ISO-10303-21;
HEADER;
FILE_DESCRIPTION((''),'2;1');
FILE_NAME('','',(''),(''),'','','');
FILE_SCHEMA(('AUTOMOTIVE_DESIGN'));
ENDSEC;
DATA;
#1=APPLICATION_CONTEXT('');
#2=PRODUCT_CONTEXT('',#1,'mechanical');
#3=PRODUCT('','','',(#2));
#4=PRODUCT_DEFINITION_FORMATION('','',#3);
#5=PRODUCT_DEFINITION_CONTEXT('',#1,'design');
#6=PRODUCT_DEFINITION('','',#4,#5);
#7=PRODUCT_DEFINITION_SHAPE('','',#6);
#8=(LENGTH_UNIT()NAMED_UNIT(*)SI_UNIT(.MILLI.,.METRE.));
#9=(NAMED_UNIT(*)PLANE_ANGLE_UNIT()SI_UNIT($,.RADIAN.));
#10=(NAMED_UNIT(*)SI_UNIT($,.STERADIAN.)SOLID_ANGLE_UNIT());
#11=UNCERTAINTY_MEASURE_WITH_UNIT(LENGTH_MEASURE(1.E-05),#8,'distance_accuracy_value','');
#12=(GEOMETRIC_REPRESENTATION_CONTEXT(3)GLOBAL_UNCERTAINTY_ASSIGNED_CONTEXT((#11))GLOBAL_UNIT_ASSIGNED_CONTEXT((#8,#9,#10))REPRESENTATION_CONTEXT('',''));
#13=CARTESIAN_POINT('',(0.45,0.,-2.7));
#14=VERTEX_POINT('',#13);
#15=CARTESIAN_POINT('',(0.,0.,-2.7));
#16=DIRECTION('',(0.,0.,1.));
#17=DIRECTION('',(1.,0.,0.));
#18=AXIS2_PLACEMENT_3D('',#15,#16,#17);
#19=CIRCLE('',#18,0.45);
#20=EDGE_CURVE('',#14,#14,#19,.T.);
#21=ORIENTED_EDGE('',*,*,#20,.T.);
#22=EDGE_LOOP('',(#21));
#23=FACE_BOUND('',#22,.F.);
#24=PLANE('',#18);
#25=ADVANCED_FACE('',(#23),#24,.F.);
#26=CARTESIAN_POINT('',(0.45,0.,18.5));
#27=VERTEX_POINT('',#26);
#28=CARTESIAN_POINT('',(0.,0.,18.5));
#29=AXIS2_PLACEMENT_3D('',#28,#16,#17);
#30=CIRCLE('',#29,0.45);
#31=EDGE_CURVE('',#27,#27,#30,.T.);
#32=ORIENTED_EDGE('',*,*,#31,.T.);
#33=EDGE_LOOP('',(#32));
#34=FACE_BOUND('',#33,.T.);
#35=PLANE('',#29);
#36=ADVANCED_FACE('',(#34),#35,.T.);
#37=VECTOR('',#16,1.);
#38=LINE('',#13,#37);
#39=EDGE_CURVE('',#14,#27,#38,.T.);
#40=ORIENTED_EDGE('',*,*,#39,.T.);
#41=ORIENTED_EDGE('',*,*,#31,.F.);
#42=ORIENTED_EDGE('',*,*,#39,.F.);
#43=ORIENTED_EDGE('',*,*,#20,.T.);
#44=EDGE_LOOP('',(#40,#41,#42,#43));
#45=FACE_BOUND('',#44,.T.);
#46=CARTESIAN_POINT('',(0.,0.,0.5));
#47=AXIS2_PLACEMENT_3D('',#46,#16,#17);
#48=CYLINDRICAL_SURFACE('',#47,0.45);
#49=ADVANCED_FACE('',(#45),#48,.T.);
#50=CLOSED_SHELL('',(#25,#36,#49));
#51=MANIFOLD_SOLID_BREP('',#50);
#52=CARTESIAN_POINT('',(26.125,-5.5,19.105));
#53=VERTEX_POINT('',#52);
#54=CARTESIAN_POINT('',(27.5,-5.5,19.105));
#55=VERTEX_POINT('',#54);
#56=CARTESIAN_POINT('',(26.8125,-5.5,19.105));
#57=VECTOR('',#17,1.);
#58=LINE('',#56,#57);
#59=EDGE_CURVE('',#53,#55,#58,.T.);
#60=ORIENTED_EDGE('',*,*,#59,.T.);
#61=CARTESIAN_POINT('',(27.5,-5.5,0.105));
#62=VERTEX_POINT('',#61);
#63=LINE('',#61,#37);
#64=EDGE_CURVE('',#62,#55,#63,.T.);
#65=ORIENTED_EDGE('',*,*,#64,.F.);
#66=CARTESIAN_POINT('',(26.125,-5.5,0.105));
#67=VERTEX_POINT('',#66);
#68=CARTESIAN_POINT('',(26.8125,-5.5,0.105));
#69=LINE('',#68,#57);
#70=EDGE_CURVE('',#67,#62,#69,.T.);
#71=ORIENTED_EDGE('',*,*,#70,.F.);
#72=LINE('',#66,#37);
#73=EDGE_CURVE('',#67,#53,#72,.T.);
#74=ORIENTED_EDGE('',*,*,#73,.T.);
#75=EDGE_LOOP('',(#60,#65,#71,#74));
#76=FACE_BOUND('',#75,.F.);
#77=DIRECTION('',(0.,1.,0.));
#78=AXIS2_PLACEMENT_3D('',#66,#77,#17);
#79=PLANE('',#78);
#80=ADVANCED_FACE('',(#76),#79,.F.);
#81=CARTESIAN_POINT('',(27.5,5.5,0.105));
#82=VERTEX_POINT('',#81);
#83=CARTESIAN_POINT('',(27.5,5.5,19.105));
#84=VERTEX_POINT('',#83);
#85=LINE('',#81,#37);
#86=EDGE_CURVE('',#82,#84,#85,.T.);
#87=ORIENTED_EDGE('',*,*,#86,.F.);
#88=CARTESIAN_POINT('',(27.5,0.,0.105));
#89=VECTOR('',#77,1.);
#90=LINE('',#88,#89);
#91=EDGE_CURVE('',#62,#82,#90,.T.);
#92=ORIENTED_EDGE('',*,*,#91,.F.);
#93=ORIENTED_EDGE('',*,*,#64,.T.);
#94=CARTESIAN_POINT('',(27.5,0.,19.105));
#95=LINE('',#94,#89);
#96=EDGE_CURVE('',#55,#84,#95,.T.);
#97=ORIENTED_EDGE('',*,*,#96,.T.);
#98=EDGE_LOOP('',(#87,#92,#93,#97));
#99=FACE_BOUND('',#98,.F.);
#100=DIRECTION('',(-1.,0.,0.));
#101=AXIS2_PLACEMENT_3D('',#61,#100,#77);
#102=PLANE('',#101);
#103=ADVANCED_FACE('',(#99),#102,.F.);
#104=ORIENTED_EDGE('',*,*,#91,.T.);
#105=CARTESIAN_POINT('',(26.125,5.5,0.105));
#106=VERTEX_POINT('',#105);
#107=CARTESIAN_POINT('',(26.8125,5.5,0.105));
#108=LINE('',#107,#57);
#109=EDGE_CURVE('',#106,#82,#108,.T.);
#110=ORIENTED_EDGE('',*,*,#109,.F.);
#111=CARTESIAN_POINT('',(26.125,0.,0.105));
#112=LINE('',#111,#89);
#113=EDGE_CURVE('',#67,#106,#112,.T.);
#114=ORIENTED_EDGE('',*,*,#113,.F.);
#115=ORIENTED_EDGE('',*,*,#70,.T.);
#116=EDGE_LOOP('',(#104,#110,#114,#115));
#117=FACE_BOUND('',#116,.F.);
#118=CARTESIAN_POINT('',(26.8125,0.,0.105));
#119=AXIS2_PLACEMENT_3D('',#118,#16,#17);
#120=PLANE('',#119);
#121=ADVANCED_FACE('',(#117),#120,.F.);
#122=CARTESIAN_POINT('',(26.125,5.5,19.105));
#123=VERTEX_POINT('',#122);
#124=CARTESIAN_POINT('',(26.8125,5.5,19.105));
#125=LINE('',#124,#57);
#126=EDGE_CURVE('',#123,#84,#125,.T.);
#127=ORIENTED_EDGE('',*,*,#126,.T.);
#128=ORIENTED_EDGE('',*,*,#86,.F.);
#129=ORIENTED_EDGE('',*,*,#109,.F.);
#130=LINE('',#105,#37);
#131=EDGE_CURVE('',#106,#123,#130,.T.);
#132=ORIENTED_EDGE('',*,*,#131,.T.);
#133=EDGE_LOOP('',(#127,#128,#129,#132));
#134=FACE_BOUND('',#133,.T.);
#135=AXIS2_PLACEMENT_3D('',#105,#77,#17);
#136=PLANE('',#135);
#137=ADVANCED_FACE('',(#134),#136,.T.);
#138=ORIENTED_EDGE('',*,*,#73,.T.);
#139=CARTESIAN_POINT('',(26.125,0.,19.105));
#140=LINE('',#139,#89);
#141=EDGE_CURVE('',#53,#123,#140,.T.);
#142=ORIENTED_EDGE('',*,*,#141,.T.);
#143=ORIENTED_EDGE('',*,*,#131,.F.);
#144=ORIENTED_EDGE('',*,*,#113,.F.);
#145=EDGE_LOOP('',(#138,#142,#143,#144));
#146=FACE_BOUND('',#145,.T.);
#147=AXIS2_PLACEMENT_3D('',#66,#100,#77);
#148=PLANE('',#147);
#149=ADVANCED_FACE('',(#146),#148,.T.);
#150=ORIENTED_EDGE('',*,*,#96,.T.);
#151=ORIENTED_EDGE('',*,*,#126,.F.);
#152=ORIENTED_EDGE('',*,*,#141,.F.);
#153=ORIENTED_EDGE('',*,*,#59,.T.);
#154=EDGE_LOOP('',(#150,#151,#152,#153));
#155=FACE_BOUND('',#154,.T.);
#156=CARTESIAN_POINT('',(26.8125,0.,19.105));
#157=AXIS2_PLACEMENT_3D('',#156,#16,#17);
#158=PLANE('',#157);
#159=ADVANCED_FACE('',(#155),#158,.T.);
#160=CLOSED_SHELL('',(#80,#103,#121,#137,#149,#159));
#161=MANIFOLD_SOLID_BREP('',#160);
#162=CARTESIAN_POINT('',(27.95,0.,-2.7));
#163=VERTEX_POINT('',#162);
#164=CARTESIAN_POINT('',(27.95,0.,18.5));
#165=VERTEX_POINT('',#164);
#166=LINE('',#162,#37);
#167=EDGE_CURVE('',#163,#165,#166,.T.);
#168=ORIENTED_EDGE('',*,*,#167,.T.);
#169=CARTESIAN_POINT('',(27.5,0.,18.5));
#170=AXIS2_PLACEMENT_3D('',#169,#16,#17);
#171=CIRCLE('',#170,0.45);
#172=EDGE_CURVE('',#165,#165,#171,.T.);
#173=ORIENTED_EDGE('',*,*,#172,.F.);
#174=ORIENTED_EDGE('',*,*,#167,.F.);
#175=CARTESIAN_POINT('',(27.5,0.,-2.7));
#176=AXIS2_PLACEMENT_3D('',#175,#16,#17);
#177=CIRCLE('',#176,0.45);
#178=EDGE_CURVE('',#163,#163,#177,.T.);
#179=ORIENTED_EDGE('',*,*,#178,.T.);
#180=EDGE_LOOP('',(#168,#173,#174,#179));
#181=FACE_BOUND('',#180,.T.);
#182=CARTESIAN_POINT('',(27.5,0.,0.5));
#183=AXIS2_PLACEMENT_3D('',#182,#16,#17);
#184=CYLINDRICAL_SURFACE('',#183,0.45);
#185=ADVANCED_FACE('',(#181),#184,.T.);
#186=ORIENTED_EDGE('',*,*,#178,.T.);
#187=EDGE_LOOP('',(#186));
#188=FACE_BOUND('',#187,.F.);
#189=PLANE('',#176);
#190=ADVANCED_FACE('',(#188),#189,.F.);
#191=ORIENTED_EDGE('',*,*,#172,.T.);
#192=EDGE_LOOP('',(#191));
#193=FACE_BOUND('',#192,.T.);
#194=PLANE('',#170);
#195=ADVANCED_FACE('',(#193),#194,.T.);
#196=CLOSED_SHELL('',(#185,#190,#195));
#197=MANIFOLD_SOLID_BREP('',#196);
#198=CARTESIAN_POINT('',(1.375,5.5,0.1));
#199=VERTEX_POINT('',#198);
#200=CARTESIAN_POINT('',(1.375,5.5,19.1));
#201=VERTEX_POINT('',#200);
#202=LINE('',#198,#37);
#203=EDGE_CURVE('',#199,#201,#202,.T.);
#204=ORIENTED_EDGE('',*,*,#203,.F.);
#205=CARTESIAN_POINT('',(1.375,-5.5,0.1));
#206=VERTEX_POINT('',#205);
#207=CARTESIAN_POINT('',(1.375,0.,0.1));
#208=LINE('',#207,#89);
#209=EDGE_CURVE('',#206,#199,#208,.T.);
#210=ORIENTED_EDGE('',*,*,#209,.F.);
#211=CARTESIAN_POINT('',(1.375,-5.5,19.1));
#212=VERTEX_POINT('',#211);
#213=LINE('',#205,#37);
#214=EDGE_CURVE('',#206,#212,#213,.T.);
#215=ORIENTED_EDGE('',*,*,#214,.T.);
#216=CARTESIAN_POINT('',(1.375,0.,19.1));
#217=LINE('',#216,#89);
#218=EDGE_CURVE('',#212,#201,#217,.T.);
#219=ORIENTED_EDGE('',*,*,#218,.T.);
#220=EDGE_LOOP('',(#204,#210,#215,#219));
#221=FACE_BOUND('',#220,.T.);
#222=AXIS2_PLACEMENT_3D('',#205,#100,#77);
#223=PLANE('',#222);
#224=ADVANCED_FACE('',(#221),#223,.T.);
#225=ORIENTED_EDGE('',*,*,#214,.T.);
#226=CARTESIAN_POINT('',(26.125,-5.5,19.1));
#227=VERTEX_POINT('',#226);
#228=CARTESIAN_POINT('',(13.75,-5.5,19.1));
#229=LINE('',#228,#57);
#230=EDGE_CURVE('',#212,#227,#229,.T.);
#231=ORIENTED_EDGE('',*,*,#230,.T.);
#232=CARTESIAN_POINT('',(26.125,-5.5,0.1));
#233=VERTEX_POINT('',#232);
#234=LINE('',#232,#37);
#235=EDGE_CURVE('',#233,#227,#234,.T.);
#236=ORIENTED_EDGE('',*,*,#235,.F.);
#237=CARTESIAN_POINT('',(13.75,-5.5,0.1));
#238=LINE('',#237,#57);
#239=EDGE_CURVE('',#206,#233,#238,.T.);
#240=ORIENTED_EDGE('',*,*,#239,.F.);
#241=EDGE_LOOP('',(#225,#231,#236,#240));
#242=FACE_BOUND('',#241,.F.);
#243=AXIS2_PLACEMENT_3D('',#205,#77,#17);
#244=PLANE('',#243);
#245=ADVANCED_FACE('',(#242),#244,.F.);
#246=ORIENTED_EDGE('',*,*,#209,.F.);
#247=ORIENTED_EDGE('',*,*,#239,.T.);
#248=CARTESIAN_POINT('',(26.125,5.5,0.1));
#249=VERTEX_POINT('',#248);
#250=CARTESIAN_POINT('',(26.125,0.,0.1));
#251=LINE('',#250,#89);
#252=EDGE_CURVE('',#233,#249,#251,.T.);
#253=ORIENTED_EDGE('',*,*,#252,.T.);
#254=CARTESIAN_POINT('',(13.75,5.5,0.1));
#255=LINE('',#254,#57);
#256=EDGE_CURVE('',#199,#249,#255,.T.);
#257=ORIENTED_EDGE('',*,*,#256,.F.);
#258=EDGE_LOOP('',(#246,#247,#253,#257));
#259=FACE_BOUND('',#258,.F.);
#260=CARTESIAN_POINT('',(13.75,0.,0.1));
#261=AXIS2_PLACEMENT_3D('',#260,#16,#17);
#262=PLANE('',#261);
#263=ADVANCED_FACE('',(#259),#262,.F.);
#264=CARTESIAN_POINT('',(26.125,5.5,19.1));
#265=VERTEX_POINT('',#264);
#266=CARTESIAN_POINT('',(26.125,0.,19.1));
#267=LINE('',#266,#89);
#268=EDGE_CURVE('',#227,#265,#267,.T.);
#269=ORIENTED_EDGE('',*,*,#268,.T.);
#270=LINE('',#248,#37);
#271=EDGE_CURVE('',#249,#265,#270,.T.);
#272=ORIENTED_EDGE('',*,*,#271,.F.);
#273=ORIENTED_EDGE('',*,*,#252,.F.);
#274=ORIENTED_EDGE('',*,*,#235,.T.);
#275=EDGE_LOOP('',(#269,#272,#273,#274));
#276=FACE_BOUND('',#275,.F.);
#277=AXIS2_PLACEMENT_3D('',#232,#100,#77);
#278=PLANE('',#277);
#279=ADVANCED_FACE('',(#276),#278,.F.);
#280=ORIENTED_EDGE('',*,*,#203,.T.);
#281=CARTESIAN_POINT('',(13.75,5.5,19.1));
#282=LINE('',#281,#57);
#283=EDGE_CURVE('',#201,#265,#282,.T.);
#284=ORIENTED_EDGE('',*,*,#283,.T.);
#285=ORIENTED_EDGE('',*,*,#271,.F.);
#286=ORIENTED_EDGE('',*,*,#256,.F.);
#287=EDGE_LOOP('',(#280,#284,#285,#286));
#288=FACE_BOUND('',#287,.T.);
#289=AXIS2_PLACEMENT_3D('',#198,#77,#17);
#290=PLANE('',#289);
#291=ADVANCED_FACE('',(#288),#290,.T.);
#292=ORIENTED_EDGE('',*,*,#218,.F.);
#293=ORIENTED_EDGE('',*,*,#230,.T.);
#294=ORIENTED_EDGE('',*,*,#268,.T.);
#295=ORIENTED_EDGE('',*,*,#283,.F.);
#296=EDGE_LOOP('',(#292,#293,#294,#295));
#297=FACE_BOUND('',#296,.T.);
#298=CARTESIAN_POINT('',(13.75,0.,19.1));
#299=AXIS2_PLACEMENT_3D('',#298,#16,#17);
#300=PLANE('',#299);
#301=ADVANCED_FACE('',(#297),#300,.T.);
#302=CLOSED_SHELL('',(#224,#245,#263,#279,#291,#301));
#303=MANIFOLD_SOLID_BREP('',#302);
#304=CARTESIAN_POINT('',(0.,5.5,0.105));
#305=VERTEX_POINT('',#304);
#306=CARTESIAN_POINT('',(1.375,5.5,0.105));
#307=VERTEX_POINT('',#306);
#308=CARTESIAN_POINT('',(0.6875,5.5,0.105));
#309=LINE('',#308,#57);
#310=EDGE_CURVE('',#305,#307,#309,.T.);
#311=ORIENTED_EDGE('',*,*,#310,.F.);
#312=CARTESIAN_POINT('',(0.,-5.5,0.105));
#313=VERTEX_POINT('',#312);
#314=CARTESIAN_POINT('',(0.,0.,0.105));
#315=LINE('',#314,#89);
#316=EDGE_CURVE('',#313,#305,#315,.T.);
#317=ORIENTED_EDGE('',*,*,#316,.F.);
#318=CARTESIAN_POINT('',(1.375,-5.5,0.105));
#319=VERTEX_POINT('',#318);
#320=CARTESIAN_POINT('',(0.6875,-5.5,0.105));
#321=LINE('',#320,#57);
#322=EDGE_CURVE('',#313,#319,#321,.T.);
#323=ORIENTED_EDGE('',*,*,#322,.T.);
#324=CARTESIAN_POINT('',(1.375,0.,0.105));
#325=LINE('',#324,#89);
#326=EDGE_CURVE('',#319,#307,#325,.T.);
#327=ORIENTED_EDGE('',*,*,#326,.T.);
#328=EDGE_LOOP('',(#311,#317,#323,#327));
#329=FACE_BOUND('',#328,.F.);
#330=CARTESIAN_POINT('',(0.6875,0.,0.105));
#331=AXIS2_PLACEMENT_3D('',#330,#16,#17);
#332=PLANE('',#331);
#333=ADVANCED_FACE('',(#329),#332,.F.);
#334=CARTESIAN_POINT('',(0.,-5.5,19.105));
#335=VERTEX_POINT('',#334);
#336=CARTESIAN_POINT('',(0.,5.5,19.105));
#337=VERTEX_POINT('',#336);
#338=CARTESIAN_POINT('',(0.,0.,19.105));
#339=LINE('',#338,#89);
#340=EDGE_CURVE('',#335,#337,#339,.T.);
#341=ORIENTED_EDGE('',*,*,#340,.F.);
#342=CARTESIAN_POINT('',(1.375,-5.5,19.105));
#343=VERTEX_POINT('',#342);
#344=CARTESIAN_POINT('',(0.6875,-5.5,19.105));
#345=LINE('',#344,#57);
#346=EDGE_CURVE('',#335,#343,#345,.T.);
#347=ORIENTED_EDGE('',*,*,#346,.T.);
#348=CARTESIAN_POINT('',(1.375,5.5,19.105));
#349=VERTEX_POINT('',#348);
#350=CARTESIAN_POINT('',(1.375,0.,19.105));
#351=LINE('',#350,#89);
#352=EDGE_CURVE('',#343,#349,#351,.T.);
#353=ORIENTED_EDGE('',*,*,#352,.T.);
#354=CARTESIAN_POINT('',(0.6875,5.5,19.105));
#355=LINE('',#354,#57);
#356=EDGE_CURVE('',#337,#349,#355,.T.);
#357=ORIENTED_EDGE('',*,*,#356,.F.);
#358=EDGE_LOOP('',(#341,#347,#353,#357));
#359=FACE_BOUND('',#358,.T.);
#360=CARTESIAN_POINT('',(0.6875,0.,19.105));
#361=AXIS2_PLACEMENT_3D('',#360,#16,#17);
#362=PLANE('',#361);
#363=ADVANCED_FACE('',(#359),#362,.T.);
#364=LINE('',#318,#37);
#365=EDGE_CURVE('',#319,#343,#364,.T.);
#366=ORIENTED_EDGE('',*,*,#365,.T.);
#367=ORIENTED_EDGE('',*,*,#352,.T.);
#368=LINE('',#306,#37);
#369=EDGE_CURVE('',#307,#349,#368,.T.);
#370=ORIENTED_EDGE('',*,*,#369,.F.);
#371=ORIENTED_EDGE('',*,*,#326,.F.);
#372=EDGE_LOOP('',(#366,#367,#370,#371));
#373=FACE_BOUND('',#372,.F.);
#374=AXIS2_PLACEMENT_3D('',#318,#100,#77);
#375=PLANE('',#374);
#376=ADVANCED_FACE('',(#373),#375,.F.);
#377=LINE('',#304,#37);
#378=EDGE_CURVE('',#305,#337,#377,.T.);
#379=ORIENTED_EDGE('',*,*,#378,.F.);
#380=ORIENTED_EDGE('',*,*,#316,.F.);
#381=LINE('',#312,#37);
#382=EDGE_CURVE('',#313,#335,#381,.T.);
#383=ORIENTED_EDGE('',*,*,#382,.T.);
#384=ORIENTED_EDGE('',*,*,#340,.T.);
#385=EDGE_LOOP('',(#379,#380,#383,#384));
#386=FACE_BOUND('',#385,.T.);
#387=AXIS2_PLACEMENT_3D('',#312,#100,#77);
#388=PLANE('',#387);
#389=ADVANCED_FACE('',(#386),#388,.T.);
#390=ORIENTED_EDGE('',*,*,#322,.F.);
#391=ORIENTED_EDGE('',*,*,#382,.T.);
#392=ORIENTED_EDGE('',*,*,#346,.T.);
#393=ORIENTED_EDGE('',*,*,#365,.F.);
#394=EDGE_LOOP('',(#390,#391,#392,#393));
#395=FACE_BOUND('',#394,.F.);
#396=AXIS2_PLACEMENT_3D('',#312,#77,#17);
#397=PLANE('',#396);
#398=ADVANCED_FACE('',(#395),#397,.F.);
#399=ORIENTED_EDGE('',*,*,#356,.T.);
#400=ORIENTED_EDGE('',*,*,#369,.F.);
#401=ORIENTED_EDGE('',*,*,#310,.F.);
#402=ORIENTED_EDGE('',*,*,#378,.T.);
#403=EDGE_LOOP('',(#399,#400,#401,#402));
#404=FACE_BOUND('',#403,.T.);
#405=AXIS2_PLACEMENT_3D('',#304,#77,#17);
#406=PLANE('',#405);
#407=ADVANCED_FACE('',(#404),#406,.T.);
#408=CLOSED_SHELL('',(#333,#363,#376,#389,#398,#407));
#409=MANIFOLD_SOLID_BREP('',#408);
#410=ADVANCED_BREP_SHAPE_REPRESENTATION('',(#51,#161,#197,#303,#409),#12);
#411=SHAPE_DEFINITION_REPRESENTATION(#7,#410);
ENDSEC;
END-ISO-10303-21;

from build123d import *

# Parameters (mm, degrees)
SKETCH_W          = 24.75
SKETCH_H          = 11
PAD_DEPTH         = 19
SKETCH001_R       = 0.45
PAD001_DEPTH      = 18
PAD001_DEPTH_BACK = 3.2
SKETCH002_W       = 1.375
SKETCH002_H       = 11
PAD002_DEPTH      = 19


with BuildPart() as pad:
    # Sketch → Pad (new body)
    with BuildSketch(Plane.XY.offset(0.1)):
        with Locations((13.75, 0)):
            Rectangle(SKETCH_W, SKETCH_H)
    extrude(amount=PAD_DEPTH)


with BuildPart() as pad001:
    # Sketch001 → Pad001 (new body, two sides)
    with BuildSketch(Plane.XY.offset(0.5)) as pad001_sk:
        Circle(SKETCH001_R)
        with Locations((27.5, 0)):
            Circle(SKETCH001_R)
    extrude(amount=PAD001_DEPTH)
    extrude(pad001_sk.sketch, amount=-PAD001_DEPTH_BACK)


with BuildPart() as pad002:
    # Sketch002 → Pad002 (new body)
    with BuildSketch(Plane.XY.offset(0.105)):
        with Locations((0.6875, 0)):
            Rectangle(SKETCH002_W, SKETCH002_H)
        with Locations((26.8125, 0)):
            Rectangle(SKETCH002_W, SKETCH002_H)
    extrude(amount=PAD002_DEPTH)


solid = Compound([pad.part, pad001.part, pad002.part])
